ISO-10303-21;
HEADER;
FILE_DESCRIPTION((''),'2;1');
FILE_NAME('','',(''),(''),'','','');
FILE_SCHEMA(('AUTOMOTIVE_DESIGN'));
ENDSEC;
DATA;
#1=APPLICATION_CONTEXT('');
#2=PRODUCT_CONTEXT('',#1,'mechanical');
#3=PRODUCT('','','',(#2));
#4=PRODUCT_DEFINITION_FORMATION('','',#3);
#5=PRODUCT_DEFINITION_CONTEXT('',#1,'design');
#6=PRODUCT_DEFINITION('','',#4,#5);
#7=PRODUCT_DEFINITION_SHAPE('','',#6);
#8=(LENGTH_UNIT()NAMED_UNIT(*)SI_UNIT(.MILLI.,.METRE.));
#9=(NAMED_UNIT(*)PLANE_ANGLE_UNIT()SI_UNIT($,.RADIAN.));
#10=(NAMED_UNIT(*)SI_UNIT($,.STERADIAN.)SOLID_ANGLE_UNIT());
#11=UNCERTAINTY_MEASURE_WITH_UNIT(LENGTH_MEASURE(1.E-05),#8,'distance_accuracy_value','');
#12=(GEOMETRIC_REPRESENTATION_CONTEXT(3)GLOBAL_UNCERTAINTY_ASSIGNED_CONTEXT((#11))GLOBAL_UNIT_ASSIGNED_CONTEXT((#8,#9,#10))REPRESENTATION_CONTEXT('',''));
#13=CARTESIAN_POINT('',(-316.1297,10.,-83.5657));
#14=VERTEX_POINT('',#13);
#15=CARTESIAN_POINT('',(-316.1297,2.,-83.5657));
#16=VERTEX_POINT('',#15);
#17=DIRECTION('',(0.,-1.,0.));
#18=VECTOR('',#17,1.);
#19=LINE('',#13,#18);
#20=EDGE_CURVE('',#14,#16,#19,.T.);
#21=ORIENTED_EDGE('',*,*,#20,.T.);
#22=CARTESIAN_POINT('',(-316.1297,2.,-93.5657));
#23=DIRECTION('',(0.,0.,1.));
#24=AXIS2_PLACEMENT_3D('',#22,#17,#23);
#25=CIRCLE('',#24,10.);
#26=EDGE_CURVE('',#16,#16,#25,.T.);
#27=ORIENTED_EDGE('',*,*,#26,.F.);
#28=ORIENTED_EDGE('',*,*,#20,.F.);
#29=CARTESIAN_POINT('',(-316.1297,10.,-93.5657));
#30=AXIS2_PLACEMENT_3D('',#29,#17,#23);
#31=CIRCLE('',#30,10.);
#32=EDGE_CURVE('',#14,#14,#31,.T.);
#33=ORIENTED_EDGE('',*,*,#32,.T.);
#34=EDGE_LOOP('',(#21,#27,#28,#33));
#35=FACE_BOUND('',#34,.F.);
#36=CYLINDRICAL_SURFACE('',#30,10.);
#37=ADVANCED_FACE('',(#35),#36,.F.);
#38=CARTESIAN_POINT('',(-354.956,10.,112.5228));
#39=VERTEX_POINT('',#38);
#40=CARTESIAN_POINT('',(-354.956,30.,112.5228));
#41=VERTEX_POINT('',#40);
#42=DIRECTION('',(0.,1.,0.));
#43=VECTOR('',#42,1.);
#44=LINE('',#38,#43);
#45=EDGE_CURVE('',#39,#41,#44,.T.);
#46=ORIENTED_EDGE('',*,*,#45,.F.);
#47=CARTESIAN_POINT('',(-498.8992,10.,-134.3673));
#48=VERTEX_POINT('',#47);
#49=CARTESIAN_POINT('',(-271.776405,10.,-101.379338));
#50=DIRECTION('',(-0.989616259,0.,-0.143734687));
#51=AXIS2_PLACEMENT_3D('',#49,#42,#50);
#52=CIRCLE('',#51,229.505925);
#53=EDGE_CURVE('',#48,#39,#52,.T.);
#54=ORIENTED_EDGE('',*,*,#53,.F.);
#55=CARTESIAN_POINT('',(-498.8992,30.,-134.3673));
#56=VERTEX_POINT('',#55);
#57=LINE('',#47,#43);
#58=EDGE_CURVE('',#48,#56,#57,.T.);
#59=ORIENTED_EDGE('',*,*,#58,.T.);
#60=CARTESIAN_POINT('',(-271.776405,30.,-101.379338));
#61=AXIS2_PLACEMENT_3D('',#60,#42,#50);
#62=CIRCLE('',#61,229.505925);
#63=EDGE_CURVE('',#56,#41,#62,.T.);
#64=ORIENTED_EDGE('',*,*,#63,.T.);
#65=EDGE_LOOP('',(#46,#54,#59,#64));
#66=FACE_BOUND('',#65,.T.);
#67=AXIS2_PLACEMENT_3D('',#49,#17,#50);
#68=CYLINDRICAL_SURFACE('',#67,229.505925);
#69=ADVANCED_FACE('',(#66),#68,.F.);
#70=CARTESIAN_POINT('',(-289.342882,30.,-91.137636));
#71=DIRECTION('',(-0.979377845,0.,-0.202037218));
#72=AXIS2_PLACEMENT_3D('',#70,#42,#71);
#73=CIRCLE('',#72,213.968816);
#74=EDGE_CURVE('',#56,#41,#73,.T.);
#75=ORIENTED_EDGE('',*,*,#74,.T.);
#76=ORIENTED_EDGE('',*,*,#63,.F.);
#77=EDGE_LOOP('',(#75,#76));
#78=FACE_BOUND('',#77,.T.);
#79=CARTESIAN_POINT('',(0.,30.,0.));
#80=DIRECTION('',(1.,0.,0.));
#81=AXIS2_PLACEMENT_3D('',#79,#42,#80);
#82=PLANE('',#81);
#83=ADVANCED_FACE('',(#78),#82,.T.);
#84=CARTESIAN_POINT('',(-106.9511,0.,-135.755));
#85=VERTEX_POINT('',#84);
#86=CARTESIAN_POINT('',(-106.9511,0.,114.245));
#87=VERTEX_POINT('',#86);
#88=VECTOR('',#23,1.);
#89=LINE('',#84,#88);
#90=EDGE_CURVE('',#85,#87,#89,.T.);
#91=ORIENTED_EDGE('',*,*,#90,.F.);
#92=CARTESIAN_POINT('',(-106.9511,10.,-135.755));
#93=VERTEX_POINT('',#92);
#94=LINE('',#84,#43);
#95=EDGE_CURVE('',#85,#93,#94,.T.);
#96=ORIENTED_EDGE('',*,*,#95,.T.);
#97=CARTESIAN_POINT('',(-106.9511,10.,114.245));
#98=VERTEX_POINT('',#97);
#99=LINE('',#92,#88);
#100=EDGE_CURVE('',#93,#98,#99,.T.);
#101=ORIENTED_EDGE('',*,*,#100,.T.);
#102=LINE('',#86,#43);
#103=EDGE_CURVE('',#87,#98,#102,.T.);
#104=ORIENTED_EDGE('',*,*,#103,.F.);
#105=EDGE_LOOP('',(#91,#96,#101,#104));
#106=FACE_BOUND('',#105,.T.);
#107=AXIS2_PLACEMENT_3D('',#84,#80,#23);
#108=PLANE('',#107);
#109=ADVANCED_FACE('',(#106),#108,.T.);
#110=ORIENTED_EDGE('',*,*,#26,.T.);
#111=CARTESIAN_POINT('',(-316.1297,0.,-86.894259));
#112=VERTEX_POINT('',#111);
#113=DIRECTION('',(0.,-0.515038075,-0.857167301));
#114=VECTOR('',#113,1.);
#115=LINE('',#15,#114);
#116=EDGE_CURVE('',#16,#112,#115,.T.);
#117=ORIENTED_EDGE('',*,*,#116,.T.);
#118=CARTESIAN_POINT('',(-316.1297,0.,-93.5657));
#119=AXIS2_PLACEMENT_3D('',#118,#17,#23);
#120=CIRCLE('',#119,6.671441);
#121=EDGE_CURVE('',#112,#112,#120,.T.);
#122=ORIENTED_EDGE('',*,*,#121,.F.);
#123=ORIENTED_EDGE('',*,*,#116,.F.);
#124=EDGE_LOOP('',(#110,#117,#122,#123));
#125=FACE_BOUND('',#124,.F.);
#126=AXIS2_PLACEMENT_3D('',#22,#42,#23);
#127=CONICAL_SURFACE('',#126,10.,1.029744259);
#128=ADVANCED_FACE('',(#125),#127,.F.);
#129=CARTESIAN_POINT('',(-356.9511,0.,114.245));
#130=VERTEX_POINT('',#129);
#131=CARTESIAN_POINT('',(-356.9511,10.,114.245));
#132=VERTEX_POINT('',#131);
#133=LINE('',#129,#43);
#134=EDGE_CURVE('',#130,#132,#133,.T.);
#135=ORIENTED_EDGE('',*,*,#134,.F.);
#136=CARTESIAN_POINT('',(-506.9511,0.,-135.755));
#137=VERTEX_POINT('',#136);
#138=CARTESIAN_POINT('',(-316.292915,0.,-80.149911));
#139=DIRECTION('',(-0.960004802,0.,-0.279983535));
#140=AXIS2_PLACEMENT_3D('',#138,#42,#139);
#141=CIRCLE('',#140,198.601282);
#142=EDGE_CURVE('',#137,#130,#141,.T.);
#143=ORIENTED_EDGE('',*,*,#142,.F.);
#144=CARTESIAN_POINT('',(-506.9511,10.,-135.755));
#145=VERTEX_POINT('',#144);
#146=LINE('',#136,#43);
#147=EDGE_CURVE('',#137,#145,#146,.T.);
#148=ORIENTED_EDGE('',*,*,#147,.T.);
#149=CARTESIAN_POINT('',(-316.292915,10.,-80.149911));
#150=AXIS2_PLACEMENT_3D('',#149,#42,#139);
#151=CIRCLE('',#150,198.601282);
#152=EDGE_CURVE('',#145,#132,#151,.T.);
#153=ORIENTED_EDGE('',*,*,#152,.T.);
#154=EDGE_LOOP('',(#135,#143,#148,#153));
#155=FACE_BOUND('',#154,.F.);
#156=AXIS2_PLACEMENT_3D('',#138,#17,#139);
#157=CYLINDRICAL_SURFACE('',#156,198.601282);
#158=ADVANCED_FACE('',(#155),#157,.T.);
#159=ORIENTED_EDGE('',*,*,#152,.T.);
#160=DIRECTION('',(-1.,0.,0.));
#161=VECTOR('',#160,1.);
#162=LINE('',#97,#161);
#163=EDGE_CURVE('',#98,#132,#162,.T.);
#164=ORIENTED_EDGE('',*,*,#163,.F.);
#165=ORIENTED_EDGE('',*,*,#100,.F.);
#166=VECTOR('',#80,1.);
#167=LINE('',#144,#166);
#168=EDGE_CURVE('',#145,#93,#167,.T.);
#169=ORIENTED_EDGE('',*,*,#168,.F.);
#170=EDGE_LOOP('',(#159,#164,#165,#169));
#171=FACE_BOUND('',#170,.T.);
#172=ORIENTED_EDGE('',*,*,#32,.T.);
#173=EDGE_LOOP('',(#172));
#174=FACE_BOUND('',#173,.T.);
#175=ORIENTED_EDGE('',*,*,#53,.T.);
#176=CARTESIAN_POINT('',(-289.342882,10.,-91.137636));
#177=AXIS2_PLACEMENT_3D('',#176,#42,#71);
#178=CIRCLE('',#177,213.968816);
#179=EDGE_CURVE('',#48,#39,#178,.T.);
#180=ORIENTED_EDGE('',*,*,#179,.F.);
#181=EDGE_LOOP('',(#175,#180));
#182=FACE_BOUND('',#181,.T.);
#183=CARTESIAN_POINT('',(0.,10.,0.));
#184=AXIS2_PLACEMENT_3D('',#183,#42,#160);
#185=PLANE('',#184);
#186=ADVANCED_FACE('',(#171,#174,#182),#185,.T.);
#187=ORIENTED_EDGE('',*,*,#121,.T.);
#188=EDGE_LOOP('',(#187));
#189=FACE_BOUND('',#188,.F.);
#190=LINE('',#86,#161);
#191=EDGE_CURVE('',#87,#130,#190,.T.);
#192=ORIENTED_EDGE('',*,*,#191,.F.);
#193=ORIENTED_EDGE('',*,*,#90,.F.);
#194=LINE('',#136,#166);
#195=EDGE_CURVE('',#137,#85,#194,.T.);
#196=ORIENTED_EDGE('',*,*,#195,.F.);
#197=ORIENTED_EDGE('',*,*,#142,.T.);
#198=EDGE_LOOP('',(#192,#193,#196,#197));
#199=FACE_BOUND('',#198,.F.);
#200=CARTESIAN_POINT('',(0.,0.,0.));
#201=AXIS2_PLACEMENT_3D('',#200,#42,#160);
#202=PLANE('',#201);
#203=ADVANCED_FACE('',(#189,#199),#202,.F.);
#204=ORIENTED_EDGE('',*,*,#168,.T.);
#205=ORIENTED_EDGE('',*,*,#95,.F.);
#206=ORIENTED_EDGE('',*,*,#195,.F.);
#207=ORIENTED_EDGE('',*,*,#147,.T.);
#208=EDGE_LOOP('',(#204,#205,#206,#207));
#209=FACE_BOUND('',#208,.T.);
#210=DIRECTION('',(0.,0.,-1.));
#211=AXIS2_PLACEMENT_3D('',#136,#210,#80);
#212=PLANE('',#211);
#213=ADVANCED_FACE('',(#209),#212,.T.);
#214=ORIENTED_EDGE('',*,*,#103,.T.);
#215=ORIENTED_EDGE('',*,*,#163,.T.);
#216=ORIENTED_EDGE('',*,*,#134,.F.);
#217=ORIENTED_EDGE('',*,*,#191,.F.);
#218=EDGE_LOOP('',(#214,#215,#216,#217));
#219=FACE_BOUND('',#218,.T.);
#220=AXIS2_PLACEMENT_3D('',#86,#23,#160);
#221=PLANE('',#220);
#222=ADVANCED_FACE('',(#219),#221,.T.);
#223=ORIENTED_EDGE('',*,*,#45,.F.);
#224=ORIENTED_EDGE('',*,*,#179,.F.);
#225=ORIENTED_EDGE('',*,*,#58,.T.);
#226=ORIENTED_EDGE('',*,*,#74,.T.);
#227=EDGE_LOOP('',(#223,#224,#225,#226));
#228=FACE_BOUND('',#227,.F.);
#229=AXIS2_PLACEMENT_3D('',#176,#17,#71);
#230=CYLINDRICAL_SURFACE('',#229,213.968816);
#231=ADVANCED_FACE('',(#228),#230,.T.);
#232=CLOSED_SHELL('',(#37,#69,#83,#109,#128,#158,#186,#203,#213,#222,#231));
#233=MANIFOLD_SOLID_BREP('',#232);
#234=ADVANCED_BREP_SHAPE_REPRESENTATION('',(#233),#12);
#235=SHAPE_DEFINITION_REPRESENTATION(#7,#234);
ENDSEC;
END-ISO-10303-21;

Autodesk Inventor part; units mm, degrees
ref_plane "YZ Plane" through (0, 0, 0) normal (1, 0, 0) x (0, 1, 0)
ref_plane "XZ Plane" through (0, 0, 0) normal (0, 1, 0) x (-1, 0, 0)
ref_plane "XY Plane" through (0, 0, 0) normal (0, 0, 1) x (1, 0, 0)
sketch "Sketch1" plane through (0, 0, 0) normal (0, 1, 0) x (-1, 0, 0)
  point P0 (0, 0)
sketch "Sketch2" plane through (0, 0, 0) normal (0, 1, 0) x (-1, 0, 0)
  line L0 (506.9511, -135.755) -> (106.9511, -135.755)
  line L1 (106.9511, -135.755) -> (106.9511, 114.245)
  line L2 (106.9511, 114.245) -> (356.9511, 114.245)
  arc A0 (506.9511, -135.755) -> (356.9511, 114.245) centre (316.293, -80.1499) ccw
  point P0 (0, 0)
  dimension "d0" = 400
  dimension "d1" = 250
  dimension "d2" = 250
sketch "Sketch3" plane through (0, 0, 0) normal (0, 1, 0) x (-1, 0, 0)
  point P0 (0, 0)
extrude "Extrusion1" add sketch "Sketch2" along normal blind 10
sketch "Sketch4" plane through (0, 10, 0) normal (0, 1, 0) x (1, 0, 0)
  point P0 (0, 0)
  point P1 (-316.1297, 93.5657)
hole "Hole1" at (-316.1297, 10, -93.5657) direction (0, -1, 0) diameter 20 depth 8 tip angle 118
sketch "Sketch5" plane through (0, 10, 0) normal (0, 1, 0) x (1, 0, 0)
  arc A0 (-498.8992, 134.3673) -> (-354.956, -112.5228) centre (-289.3431, 91.1376) ccw
  arc A1 (-498.8992, 134.3673) -> (-354.956, -112.5228) centre (-271.7766, 101.3793) ccw
  point P0 (0, 0)
extrude "Extrusion2" add sketch "Sketch5" along normal blind 20
properties part number "glassplane"
